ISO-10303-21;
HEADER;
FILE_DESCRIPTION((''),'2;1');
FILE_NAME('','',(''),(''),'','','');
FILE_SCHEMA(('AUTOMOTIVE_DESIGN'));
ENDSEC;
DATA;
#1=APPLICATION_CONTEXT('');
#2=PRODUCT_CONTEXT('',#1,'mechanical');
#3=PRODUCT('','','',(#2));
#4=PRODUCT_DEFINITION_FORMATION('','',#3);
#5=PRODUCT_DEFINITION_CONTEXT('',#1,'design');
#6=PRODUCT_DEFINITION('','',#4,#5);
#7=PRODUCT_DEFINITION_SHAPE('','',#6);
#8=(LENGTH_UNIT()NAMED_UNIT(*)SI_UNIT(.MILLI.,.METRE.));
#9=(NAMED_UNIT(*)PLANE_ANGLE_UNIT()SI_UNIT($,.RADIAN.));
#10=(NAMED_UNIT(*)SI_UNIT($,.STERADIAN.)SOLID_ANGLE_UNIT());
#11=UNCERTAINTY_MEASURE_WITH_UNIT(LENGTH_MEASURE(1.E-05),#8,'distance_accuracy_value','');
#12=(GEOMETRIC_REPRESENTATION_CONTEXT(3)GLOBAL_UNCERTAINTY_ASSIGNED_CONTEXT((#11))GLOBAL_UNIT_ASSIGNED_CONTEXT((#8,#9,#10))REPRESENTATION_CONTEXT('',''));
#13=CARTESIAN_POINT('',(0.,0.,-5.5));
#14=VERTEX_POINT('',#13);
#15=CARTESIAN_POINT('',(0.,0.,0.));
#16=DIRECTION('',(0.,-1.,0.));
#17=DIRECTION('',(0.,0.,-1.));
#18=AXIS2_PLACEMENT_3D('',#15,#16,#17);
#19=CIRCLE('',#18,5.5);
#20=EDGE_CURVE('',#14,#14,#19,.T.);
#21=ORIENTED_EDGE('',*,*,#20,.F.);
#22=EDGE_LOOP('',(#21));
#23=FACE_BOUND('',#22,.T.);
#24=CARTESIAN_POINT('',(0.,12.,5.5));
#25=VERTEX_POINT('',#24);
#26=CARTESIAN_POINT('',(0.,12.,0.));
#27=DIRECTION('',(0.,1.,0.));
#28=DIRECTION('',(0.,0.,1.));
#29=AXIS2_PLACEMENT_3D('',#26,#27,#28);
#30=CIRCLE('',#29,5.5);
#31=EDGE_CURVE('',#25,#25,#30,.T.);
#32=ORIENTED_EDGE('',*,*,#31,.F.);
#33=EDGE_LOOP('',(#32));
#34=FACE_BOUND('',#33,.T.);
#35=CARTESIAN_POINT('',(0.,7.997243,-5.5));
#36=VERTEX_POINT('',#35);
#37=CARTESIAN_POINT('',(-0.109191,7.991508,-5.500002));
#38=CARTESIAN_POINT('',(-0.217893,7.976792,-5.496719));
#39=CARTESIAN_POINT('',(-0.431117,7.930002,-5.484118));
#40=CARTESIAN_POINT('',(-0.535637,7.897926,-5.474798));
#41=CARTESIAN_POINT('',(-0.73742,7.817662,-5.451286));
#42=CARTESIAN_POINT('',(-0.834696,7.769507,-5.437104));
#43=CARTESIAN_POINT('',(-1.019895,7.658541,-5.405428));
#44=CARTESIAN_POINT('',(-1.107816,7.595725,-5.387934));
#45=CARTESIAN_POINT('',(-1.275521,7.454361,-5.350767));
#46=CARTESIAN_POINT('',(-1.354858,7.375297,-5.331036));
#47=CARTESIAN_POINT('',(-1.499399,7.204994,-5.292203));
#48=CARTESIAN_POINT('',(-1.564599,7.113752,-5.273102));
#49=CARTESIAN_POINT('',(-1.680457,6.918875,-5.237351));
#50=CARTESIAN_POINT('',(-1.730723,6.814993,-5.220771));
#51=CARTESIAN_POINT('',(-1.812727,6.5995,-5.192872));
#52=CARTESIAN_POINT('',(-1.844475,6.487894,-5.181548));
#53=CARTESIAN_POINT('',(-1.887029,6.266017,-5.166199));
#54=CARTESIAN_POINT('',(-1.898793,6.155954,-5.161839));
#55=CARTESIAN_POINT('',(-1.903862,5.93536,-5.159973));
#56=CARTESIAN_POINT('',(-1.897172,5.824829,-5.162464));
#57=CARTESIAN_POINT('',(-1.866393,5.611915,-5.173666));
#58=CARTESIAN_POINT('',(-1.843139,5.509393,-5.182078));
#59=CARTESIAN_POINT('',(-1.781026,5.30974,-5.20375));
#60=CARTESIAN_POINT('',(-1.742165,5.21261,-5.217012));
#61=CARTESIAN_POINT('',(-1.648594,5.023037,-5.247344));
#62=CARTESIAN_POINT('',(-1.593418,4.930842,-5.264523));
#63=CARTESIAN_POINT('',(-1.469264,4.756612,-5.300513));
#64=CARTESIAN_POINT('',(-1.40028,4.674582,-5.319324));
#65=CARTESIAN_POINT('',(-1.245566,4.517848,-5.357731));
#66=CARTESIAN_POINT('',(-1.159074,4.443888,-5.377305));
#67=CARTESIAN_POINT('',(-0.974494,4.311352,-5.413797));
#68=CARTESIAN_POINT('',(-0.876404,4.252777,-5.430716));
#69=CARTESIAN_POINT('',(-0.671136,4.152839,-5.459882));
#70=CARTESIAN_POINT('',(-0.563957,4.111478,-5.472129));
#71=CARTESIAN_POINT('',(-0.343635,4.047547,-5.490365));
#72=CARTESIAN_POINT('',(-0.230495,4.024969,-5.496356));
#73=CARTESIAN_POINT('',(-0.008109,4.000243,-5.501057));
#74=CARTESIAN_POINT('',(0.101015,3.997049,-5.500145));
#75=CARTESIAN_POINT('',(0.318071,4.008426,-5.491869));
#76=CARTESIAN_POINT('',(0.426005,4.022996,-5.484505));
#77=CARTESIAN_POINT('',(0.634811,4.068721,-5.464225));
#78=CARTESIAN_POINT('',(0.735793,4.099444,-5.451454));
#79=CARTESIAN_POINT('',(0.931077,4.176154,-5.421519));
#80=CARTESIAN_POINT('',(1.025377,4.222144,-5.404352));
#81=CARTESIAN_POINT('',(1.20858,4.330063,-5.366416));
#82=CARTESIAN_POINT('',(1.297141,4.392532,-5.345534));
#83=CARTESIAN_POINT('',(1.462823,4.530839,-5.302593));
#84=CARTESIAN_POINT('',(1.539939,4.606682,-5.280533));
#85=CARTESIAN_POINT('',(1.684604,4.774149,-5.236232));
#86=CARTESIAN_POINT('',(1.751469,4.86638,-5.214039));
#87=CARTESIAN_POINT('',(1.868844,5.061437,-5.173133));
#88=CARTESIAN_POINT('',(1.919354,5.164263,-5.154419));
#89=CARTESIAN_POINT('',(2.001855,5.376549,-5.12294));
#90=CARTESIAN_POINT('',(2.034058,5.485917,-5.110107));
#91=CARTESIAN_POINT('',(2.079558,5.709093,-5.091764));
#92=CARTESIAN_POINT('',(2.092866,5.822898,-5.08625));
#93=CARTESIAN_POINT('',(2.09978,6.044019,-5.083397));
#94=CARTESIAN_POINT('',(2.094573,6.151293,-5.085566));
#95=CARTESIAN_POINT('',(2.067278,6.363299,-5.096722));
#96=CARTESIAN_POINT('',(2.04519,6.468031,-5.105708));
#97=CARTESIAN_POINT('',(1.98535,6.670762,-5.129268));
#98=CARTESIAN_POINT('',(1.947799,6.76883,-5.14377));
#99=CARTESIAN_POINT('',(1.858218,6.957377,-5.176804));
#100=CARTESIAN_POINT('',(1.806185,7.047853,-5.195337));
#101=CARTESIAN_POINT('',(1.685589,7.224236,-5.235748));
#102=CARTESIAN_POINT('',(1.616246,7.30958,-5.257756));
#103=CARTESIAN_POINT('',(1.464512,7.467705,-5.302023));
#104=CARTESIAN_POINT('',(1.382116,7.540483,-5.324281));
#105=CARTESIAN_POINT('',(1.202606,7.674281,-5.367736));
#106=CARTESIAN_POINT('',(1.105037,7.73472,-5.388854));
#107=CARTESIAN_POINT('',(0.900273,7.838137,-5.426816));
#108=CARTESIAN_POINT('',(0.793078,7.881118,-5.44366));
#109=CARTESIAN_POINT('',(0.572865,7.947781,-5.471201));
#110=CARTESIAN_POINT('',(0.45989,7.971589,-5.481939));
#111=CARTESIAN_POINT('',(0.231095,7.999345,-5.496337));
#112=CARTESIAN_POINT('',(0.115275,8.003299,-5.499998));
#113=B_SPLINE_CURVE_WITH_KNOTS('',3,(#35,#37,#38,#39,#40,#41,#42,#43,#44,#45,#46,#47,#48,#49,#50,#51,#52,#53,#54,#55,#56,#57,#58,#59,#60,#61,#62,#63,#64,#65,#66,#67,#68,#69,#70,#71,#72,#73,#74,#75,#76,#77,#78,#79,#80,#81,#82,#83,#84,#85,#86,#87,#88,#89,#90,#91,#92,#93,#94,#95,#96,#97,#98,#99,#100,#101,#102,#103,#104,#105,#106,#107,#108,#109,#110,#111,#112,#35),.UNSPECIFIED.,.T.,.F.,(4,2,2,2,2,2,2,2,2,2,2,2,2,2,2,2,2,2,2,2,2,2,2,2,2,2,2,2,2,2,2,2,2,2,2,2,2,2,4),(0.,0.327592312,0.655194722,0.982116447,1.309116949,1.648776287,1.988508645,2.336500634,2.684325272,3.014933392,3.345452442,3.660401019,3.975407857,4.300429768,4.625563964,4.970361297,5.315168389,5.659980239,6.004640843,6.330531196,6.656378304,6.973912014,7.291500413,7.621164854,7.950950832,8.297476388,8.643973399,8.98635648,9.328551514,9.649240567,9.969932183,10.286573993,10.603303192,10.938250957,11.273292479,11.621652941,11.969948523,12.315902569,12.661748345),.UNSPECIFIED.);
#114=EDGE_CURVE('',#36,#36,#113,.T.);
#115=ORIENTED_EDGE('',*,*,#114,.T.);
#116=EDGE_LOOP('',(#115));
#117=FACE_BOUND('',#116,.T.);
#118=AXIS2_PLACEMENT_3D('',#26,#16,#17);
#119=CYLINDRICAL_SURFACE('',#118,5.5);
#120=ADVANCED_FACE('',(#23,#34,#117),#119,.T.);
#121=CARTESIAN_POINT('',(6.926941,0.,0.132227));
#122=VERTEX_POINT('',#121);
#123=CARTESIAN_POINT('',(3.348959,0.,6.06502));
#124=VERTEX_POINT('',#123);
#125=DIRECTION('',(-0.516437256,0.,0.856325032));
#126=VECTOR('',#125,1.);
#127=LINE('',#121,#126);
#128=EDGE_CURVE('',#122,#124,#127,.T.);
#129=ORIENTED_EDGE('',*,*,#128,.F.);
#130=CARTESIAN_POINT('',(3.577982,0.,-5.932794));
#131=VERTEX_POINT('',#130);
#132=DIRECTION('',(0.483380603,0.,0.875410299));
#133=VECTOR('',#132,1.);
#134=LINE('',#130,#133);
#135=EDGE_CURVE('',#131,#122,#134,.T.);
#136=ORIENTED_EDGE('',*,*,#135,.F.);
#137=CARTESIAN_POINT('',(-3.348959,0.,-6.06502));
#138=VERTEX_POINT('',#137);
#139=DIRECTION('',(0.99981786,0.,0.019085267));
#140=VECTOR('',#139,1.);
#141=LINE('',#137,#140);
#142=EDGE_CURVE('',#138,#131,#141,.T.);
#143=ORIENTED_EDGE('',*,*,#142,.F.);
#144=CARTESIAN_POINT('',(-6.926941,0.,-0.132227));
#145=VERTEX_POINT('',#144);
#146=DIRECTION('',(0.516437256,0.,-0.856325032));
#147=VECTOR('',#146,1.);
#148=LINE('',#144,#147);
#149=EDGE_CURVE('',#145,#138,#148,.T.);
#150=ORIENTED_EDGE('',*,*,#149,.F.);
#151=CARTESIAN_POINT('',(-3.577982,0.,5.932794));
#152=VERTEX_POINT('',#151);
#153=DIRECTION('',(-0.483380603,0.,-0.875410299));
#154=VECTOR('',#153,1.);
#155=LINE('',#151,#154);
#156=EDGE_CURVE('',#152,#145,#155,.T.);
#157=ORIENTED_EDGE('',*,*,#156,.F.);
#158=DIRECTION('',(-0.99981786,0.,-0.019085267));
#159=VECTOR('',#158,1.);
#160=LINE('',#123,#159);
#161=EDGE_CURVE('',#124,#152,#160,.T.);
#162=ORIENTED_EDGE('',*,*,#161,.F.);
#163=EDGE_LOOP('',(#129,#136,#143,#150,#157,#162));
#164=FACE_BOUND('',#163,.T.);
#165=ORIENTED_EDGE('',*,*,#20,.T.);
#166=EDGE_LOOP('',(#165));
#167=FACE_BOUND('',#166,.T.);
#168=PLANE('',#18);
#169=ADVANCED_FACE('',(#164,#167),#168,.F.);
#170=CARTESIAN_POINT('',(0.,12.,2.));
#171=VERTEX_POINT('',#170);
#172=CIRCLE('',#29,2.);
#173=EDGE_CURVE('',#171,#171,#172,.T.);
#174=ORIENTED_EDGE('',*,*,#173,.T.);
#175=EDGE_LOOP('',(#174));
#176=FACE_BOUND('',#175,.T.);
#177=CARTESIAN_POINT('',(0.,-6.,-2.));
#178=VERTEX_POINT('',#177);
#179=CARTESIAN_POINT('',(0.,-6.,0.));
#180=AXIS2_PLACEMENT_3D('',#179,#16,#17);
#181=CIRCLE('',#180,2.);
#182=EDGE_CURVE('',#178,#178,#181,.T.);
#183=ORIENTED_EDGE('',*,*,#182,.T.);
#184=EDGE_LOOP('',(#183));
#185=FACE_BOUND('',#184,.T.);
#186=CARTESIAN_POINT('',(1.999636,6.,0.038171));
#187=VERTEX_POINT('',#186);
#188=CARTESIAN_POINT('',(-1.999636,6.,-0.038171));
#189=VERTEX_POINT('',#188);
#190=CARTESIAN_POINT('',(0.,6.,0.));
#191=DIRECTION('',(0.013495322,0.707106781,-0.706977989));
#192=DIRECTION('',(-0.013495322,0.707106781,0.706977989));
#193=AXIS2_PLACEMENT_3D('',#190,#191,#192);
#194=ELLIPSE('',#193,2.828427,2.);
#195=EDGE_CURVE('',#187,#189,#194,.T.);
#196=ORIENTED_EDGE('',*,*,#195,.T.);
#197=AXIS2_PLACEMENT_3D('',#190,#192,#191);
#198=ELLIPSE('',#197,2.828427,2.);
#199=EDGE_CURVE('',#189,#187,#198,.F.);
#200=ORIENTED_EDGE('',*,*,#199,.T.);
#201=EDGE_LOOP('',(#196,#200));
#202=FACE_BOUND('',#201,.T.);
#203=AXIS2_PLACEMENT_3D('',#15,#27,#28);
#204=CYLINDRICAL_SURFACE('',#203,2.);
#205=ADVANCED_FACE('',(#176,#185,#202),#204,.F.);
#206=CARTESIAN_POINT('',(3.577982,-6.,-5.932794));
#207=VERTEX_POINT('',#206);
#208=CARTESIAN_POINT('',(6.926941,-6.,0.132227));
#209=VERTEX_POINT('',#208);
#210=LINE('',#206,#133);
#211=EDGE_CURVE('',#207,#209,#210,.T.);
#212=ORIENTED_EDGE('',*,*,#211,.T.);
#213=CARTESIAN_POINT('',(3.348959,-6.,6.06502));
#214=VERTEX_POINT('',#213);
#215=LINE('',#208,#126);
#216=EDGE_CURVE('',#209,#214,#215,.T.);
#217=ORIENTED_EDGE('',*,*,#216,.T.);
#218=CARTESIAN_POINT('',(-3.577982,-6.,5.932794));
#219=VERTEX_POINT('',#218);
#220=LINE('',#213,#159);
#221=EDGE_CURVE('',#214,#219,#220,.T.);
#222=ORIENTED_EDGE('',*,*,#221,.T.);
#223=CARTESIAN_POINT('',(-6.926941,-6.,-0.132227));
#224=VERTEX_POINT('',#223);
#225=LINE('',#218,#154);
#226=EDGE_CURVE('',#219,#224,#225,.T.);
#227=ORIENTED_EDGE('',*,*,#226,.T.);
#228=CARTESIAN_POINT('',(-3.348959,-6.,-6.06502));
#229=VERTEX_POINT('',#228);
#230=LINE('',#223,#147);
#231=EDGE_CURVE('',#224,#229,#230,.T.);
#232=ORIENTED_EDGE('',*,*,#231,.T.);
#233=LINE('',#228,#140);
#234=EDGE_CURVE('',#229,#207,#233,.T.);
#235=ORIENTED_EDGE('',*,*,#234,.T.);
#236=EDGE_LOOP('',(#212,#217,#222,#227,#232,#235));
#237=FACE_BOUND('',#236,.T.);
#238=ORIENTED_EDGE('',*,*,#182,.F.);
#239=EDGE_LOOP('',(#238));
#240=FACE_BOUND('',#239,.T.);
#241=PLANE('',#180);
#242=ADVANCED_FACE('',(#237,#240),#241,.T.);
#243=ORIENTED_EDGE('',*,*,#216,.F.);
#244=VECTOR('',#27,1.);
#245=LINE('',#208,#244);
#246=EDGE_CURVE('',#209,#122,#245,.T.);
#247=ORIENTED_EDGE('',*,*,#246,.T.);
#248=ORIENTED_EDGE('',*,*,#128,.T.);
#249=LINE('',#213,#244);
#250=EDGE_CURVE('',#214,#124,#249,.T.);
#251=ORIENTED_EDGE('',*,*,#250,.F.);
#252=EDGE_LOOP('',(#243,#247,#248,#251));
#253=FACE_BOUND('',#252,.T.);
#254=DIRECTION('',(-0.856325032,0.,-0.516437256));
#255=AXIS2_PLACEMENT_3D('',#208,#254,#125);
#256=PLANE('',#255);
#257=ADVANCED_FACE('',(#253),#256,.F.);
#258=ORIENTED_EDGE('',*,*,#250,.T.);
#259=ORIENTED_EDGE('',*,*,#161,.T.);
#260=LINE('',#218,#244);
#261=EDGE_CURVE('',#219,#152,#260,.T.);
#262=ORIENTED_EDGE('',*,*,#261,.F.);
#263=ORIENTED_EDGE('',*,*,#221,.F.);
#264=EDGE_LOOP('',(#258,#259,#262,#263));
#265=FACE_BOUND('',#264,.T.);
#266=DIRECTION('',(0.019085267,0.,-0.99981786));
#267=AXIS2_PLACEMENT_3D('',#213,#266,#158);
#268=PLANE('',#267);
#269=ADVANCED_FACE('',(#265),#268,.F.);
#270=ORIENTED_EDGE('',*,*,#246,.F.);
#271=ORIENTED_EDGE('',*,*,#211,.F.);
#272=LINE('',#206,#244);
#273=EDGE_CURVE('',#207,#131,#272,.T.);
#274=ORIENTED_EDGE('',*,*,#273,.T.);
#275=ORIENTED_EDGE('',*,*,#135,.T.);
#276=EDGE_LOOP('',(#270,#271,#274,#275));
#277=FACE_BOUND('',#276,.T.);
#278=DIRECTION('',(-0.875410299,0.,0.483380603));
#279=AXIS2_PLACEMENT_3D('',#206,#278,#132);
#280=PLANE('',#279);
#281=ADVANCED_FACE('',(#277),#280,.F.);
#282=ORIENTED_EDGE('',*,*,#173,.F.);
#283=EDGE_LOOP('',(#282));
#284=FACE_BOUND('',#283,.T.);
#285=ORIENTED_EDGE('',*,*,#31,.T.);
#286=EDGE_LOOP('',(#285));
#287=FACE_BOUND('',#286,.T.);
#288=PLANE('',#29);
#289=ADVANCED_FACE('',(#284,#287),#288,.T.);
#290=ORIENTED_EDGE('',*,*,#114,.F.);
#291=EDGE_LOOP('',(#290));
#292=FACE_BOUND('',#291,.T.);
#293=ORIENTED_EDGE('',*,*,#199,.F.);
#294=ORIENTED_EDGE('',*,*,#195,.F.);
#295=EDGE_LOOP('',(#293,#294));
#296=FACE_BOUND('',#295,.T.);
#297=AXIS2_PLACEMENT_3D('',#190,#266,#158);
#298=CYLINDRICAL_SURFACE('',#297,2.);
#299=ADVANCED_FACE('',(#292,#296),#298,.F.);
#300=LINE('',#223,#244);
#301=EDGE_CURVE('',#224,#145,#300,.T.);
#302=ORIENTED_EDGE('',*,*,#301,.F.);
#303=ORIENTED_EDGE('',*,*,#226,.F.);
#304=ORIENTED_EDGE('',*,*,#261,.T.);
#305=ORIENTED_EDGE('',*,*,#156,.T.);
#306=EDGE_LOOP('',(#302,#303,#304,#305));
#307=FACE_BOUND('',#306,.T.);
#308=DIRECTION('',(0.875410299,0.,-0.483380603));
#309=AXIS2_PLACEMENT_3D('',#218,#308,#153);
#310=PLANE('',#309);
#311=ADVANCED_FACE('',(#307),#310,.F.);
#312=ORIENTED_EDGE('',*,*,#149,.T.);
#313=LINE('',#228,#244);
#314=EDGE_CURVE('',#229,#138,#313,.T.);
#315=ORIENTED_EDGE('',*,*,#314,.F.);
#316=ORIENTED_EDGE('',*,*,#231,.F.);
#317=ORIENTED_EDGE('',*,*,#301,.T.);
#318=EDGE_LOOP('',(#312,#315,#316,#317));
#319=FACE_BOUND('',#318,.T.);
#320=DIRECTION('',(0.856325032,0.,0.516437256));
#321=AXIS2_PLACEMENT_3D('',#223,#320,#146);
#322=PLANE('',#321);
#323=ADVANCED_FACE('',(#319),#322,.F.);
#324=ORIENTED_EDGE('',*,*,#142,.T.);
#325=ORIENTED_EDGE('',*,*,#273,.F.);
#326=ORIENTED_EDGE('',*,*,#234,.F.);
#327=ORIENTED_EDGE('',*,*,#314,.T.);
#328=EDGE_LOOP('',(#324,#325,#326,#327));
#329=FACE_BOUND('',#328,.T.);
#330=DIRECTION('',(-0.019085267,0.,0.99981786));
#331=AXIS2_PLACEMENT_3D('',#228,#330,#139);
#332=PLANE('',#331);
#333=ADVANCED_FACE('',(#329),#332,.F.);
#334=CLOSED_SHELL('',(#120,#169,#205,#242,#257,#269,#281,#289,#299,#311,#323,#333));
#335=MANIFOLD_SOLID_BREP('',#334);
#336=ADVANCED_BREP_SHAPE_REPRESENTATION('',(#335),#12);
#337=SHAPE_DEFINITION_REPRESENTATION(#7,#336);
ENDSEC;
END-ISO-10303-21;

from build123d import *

# Parameters (mm, degrees)
SKETCH_1_R          = 5.5
EXTRUDE_1_DEPTH     = 12
SKETCH_2_R          = 2
CUT_EXTRUDE_1_DEPTH = 12
EXTRUDE_2_DEPTH     = 6
SKETCH_4_R          = 2
CUT_EXTRUDE_2_DEPTH = 21.217986778
SKETCH_5_R          = 2
CUT_EXTRUDE_3_DEPTH = 6


with BuildPart() as part:
    # 草图1 → 凸台-拉伸1 (new body)
    with BuildSketch(Plane(origin=(0, 0, 0), x_dir=(1, 0, 0), z_dir=(0, 1, 0))):
        with Locations(Location((0, 0, 0), (0, 0, 270))):
            Circle(SKETCH_1_R)
    extrude(amount=EXTRUDE_1_DEPTH)

    # 草图2 → 切除-拉伸1 (cut)
    with BuildSketch(Plane(origin=(0, 12, 0), x_dir=(1, 0, 0), z_dir=(0, 1, 0))):
        with Locations(Location((0, 0, 0), (0, 0, 270))):
            Circle(SKETCH_2_R)
    extrude(amount=-CUT_EXTRUDE_1_DEPTH, mode=Mode.SUBTRACT)

    # 草图3 → 凸台-拉伸2 (add)
    with BuildSketch(Plane(origin=(0, 0, 0), x_dir=(-1, 0, 0), z_dir=(0, -1, 0))):
        Polygon((3.577982267, -5.932793852), (6.926941325, 0.132226612), (3.348959058, 6.065020464), (-3.577982267, 5.932793852), (-6.926941325, -0.132226612), (-3.348959058, -6.065020464), align=None)
    extrude(amount=EXTRUDE_2_DEPTH)

    # 草图4 → 切除-拉伸2 (cut, through all)
    with BuildSketch(Plane.XZ.offset(6)):
        with Locations(Location((0, 0, 0), (0, 0, 90))):
            Circle(SKETCH_4_R)
    extrude(amount=-CUT_EXTRUDE_2_DEPTH, mode=Mode.SUBTRACT)

    # 草图5 → 切除-拉伸3 (cut)
    with BuildSketch(Plane(origin=(0.114511605, 0, -5.998907158), x_dir=(-0.9998178596958822, 0, -0.019085267437092362), z_dir=(0.01908526743709236, 0, -0.9998178596958821))):
        with Locations((0, 6)):
            Circle(SKETCH_5_R)
    extrude(amount=-CUT_EXTRUDE_3_DEPTH, mode=Mode.SUBTRACT)


solid = part.part
